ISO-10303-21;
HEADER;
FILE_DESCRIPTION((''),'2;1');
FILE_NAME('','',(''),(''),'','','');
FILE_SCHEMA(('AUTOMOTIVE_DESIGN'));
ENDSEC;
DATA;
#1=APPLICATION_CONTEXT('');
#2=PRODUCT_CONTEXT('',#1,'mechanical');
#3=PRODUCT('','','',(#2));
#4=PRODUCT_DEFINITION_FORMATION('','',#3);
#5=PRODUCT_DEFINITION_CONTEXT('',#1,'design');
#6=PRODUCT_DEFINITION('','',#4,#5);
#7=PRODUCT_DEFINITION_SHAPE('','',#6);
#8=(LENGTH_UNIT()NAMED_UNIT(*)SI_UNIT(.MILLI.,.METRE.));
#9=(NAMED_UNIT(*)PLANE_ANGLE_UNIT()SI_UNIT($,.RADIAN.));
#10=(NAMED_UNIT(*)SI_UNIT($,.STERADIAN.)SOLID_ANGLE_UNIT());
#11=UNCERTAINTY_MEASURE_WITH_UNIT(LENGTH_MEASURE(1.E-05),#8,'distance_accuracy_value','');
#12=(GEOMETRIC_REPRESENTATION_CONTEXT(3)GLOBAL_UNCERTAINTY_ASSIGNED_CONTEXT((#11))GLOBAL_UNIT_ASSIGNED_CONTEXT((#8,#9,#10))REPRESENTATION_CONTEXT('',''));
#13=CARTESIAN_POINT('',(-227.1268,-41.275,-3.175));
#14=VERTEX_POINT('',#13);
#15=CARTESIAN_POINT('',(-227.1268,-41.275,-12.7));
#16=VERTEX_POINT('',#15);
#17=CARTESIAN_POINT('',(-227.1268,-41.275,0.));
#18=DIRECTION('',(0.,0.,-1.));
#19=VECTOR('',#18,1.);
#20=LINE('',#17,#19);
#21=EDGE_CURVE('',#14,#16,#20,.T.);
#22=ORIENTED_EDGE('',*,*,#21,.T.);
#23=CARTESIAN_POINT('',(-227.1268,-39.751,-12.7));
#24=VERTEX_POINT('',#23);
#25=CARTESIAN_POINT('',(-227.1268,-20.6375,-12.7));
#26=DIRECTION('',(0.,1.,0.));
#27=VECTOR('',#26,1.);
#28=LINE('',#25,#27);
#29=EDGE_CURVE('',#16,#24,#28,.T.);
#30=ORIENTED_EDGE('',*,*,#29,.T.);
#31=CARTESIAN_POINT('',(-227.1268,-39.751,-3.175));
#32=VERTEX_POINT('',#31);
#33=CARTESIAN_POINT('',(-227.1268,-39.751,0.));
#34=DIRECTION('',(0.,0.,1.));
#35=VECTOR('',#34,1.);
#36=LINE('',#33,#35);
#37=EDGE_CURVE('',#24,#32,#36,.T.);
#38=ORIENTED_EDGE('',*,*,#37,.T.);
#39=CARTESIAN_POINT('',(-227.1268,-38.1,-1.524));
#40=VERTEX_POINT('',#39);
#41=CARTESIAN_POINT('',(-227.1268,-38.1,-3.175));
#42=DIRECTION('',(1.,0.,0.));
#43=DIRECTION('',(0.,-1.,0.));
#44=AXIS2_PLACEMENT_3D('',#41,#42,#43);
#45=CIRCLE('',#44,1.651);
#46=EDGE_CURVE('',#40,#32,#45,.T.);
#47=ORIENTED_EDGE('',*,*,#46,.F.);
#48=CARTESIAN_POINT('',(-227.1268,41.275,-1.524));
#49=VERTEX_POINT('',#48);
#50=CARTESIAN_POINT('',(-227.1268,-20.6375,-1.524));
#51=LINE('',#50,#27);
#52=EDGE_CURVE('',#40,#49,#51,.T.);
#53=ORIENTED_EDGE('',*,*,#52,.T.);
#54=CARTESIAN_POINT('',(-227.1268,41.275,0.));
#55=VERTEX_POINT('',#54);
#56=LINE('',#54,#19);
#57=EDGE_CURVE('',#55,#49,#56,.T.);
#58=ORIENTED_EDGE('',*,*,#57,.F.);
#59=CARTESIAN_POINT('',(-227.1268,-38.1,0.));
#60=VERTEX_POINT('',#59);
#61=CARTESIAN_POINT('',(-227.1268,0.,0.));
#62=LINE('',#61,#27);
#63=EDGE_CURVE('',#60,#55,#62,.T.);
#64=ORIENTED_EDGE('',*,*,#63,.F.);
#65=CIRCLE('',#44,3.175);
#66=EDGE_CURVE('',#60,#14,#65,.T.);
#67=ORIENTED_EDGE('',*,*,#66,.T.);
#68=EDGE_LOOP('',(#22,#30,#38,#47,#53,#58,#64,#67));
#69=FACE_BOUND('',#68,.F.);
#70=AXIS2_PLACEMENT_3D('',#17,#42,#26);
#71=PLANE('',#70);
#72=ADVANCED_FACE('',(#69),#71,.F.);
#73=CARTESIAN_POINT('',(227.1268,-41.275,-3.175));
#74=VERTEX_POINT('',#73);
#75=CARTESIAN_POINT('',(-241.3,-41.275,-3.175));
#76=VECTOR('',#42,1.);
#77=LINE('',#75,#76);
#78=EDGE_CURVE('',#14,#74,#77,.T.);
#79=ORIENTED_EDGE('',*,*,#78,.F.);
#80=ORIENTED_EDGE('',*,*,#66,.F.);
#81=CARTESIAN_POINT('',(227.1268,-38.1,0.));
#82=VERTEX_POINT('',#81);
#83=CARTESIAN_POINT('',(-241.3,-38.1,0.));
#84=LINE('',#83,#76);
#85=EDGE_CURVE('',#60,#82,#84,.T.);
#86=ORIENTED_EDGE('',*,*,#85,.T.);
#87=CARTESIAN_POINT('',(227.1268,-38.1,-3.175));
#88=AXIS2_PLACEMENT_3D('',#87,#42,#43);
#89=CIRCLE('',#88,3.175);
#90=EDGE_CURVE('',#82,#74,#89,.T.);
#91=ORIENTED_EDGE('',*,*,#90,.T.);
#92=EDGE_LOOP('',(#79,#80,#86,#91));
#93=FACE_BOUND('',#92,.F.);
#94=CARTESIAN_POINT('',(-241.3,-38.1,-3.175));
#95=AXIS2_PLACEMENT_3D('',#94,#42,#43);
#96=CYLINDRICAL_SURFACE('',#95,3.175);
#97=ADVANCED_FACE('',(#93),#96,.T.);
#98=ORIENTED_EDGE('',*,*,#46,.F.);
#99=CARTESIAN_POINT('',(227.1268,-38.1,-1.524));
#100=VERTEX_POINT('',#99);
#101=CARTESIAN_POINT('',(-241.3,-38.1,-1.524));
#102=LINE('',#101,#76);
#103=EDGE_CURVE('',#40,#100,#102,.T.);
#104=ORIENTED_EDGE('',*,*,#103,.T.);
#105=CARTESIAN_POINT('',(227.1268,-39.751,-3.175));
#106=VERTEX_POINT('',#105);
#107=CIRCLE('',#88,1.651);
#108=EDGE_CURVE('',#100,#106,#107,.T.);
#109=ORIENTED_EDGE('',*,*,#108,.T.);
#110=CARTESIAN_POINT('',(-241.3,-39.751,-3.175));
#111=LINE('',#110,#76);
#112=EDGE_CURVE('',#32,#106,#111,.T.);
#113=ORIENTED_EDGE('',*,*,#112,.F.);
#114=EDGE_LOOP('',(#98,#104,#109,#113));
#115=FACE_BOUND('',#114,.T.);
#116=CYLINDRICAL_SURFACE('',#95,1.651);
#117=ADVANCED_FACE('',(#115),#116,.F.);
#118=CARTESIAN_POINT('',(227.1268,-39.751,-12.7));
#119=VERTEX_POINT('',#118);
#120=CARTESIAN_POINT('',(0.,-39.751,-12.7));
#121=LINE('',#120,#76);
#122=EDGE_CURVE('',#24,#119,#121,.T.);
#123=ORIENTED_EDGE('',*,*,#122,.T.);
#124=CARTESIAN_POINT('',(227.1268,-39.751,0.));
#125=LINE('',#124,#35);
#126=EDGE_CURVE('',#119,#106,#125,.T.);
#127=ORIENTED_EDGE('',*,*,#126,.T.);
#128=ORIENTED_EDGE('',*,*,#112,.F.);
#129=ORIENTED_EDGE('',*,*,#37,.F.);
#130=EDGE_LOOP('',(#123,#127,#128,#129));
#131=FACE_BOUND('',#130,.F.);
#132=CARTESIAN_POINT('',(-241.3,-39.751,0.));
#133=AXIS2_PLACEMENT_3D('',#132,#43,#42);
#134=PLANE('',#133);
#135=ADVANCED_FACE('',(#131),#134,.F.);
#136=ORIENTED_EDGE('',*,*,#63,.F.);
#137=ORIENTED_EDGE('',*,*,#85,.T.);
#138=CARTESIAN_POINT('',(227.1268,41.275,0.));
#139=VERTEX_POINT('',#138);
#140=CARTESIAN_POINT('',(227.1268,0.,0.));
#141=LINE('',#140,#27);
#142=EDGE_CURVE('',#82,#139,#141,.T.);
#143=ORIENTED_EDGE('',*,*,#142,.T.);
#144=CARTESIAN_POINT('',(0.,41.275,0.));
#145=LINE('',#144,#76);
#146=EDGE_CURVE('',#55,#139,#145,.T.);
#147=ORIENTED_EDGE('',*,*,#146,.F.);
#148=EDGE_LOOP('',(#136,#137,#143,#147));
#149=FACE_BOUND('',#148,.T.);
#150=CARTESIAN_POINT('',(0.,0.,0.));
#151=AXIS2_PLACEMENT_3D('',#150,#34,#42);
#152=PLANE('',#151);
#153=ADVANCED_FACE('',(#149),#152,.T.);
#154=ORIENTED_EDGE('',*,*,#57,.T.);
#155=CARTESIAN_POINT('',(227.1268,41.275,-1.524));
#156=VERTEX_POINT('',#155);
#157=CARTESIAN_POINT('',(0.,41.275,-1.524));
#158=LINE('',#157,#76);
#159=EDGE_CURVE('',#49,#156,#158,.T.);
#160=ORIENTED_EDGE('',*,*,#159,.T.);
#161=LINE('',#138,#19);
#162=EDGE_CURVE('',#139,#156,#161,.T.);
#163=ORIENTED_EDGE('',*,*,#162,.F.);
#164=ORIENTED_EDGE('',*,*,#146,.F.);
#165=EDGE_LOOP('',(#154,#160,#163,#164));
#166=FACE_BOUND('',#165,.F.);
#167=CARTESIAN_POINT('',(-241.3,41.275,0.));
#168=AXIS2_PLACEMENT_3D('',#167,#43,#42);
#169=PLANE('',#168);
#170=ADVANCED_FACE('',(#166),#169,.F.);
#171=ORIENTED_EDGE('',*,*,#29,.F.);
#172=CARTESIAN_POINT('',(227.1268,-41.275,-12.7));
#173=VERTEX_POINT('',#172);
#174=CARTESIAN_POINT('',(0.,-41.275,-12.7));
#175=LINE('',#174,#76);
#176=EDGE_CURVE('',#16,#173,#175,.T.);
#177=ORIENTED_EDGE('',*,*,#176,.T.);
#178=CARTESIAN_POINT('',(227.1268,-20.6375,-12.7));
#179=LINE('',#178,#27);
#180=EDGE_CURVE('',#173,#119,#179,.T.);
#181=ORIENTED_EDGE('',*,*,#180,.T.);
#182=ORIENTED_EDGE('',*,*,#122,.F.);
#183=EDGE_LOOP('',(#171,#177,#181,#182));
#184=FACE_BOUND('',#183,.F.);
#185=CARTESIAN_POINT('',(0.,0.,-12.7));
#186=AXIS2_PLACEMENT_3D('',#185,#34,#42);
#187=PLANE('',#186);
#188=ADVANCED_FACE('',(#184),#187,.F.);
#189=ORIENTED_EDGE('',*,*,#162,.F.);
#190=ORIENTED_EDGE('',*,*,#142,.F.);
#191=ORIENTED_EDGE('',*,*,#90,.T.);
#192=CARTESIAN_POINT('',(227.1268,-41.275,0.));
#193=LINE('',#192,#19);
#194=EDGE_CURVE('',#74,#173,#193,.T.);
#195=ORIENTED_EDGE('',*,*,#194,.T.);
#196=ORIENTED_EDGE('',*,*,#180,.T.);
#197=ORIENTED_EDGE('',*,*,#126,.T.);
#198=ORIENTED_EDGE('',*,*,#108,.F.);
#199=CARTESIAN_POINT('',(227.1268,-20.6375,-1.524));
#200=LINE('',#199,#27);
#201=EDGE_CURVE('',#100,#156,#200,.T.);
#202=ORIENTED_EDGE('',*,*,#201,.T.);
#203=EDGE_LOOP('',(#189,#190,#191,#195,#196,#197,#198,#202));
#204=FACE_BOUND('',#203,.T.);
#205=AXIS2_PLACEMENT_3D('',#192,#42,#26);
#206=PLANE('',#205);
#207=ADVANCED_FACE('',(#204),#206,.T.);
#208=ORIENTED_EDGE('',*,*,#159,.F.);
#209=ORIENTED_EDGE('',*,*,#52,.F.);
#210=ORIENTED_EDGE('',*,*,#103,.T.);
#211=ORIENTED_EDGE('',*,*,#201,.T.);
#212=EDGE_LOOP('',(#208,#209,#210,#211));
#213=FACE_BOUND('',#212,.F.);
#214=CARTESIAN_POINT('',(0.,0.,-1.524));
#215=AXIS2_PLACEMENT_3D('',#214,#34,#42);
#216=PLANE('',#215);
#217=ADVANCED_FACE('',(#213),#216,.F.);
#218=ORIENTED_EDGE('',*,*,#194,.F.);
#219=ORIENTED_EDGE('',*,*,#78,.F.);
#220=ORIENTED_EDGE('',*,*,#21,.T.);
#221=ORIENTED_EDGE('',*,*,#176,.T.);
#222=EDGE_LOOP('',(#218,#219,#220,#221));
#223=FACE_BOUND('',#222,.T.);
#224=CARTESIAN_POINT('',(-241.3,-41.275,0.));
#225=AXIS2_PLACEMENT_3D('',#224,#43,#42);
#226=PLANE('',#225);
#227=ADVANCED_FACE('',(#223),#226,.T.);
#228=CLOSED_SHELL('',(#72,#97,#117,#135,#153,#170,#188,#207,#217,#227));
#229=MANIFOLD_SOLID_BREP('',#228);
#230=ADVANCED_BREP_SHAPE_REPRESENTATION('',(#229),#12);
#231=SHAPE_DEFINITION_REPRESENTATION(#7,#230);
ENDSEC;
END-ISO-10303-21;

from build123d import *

# Parameters (mm, degrees)
F0_W     = 482.6
F0_H     = 82.55
F1_DEPTH = 12.7
F2_R     = 3.175
F3_T     = -1.524
F4_W     = 14.1732
F4_H     = 82.55
F5_DEPTH = 25.4


with BuildPart() as f1:
    # F0 (on Top) → F1 (new body)
    with BuildSketch(Plane.XY):
        Rectangle(F0_W, F0_H)
    extrude(amount=-F1_DEPTH)

    # F2
    f2_edges = [f1.edges().sort_by_distance(p)[0] for p in [
        (0, -41.275, 0),
    ]]
    fillet(f2_edges, radius=F2_R)

    # F3
    f3_openings = [f1.faces().sort_by_distance(p)[0] for p in [
        (0, 0, -12.7),
        (241.3, 0.08388, -6.361664),
        (0, 41.275, -6.35),
        (-241.3, 0.08388, -6.361664),
    ]]
    offset(amount=F3_T, openings=f3_openings)

    # F4 (on face) → F5 (cut)
    with BuildSketch(Plane.XY):
        with Locations((-234.2134, 0)):
            Rectangle(F4_W, F4_H)
        with Locations((234.2134, 0)):
            Rectangle(F4_W, F4_H)
    extrude(amount=-F5_DEPTH, mode=Mode.SUBTRACT)


solid = f1.part
